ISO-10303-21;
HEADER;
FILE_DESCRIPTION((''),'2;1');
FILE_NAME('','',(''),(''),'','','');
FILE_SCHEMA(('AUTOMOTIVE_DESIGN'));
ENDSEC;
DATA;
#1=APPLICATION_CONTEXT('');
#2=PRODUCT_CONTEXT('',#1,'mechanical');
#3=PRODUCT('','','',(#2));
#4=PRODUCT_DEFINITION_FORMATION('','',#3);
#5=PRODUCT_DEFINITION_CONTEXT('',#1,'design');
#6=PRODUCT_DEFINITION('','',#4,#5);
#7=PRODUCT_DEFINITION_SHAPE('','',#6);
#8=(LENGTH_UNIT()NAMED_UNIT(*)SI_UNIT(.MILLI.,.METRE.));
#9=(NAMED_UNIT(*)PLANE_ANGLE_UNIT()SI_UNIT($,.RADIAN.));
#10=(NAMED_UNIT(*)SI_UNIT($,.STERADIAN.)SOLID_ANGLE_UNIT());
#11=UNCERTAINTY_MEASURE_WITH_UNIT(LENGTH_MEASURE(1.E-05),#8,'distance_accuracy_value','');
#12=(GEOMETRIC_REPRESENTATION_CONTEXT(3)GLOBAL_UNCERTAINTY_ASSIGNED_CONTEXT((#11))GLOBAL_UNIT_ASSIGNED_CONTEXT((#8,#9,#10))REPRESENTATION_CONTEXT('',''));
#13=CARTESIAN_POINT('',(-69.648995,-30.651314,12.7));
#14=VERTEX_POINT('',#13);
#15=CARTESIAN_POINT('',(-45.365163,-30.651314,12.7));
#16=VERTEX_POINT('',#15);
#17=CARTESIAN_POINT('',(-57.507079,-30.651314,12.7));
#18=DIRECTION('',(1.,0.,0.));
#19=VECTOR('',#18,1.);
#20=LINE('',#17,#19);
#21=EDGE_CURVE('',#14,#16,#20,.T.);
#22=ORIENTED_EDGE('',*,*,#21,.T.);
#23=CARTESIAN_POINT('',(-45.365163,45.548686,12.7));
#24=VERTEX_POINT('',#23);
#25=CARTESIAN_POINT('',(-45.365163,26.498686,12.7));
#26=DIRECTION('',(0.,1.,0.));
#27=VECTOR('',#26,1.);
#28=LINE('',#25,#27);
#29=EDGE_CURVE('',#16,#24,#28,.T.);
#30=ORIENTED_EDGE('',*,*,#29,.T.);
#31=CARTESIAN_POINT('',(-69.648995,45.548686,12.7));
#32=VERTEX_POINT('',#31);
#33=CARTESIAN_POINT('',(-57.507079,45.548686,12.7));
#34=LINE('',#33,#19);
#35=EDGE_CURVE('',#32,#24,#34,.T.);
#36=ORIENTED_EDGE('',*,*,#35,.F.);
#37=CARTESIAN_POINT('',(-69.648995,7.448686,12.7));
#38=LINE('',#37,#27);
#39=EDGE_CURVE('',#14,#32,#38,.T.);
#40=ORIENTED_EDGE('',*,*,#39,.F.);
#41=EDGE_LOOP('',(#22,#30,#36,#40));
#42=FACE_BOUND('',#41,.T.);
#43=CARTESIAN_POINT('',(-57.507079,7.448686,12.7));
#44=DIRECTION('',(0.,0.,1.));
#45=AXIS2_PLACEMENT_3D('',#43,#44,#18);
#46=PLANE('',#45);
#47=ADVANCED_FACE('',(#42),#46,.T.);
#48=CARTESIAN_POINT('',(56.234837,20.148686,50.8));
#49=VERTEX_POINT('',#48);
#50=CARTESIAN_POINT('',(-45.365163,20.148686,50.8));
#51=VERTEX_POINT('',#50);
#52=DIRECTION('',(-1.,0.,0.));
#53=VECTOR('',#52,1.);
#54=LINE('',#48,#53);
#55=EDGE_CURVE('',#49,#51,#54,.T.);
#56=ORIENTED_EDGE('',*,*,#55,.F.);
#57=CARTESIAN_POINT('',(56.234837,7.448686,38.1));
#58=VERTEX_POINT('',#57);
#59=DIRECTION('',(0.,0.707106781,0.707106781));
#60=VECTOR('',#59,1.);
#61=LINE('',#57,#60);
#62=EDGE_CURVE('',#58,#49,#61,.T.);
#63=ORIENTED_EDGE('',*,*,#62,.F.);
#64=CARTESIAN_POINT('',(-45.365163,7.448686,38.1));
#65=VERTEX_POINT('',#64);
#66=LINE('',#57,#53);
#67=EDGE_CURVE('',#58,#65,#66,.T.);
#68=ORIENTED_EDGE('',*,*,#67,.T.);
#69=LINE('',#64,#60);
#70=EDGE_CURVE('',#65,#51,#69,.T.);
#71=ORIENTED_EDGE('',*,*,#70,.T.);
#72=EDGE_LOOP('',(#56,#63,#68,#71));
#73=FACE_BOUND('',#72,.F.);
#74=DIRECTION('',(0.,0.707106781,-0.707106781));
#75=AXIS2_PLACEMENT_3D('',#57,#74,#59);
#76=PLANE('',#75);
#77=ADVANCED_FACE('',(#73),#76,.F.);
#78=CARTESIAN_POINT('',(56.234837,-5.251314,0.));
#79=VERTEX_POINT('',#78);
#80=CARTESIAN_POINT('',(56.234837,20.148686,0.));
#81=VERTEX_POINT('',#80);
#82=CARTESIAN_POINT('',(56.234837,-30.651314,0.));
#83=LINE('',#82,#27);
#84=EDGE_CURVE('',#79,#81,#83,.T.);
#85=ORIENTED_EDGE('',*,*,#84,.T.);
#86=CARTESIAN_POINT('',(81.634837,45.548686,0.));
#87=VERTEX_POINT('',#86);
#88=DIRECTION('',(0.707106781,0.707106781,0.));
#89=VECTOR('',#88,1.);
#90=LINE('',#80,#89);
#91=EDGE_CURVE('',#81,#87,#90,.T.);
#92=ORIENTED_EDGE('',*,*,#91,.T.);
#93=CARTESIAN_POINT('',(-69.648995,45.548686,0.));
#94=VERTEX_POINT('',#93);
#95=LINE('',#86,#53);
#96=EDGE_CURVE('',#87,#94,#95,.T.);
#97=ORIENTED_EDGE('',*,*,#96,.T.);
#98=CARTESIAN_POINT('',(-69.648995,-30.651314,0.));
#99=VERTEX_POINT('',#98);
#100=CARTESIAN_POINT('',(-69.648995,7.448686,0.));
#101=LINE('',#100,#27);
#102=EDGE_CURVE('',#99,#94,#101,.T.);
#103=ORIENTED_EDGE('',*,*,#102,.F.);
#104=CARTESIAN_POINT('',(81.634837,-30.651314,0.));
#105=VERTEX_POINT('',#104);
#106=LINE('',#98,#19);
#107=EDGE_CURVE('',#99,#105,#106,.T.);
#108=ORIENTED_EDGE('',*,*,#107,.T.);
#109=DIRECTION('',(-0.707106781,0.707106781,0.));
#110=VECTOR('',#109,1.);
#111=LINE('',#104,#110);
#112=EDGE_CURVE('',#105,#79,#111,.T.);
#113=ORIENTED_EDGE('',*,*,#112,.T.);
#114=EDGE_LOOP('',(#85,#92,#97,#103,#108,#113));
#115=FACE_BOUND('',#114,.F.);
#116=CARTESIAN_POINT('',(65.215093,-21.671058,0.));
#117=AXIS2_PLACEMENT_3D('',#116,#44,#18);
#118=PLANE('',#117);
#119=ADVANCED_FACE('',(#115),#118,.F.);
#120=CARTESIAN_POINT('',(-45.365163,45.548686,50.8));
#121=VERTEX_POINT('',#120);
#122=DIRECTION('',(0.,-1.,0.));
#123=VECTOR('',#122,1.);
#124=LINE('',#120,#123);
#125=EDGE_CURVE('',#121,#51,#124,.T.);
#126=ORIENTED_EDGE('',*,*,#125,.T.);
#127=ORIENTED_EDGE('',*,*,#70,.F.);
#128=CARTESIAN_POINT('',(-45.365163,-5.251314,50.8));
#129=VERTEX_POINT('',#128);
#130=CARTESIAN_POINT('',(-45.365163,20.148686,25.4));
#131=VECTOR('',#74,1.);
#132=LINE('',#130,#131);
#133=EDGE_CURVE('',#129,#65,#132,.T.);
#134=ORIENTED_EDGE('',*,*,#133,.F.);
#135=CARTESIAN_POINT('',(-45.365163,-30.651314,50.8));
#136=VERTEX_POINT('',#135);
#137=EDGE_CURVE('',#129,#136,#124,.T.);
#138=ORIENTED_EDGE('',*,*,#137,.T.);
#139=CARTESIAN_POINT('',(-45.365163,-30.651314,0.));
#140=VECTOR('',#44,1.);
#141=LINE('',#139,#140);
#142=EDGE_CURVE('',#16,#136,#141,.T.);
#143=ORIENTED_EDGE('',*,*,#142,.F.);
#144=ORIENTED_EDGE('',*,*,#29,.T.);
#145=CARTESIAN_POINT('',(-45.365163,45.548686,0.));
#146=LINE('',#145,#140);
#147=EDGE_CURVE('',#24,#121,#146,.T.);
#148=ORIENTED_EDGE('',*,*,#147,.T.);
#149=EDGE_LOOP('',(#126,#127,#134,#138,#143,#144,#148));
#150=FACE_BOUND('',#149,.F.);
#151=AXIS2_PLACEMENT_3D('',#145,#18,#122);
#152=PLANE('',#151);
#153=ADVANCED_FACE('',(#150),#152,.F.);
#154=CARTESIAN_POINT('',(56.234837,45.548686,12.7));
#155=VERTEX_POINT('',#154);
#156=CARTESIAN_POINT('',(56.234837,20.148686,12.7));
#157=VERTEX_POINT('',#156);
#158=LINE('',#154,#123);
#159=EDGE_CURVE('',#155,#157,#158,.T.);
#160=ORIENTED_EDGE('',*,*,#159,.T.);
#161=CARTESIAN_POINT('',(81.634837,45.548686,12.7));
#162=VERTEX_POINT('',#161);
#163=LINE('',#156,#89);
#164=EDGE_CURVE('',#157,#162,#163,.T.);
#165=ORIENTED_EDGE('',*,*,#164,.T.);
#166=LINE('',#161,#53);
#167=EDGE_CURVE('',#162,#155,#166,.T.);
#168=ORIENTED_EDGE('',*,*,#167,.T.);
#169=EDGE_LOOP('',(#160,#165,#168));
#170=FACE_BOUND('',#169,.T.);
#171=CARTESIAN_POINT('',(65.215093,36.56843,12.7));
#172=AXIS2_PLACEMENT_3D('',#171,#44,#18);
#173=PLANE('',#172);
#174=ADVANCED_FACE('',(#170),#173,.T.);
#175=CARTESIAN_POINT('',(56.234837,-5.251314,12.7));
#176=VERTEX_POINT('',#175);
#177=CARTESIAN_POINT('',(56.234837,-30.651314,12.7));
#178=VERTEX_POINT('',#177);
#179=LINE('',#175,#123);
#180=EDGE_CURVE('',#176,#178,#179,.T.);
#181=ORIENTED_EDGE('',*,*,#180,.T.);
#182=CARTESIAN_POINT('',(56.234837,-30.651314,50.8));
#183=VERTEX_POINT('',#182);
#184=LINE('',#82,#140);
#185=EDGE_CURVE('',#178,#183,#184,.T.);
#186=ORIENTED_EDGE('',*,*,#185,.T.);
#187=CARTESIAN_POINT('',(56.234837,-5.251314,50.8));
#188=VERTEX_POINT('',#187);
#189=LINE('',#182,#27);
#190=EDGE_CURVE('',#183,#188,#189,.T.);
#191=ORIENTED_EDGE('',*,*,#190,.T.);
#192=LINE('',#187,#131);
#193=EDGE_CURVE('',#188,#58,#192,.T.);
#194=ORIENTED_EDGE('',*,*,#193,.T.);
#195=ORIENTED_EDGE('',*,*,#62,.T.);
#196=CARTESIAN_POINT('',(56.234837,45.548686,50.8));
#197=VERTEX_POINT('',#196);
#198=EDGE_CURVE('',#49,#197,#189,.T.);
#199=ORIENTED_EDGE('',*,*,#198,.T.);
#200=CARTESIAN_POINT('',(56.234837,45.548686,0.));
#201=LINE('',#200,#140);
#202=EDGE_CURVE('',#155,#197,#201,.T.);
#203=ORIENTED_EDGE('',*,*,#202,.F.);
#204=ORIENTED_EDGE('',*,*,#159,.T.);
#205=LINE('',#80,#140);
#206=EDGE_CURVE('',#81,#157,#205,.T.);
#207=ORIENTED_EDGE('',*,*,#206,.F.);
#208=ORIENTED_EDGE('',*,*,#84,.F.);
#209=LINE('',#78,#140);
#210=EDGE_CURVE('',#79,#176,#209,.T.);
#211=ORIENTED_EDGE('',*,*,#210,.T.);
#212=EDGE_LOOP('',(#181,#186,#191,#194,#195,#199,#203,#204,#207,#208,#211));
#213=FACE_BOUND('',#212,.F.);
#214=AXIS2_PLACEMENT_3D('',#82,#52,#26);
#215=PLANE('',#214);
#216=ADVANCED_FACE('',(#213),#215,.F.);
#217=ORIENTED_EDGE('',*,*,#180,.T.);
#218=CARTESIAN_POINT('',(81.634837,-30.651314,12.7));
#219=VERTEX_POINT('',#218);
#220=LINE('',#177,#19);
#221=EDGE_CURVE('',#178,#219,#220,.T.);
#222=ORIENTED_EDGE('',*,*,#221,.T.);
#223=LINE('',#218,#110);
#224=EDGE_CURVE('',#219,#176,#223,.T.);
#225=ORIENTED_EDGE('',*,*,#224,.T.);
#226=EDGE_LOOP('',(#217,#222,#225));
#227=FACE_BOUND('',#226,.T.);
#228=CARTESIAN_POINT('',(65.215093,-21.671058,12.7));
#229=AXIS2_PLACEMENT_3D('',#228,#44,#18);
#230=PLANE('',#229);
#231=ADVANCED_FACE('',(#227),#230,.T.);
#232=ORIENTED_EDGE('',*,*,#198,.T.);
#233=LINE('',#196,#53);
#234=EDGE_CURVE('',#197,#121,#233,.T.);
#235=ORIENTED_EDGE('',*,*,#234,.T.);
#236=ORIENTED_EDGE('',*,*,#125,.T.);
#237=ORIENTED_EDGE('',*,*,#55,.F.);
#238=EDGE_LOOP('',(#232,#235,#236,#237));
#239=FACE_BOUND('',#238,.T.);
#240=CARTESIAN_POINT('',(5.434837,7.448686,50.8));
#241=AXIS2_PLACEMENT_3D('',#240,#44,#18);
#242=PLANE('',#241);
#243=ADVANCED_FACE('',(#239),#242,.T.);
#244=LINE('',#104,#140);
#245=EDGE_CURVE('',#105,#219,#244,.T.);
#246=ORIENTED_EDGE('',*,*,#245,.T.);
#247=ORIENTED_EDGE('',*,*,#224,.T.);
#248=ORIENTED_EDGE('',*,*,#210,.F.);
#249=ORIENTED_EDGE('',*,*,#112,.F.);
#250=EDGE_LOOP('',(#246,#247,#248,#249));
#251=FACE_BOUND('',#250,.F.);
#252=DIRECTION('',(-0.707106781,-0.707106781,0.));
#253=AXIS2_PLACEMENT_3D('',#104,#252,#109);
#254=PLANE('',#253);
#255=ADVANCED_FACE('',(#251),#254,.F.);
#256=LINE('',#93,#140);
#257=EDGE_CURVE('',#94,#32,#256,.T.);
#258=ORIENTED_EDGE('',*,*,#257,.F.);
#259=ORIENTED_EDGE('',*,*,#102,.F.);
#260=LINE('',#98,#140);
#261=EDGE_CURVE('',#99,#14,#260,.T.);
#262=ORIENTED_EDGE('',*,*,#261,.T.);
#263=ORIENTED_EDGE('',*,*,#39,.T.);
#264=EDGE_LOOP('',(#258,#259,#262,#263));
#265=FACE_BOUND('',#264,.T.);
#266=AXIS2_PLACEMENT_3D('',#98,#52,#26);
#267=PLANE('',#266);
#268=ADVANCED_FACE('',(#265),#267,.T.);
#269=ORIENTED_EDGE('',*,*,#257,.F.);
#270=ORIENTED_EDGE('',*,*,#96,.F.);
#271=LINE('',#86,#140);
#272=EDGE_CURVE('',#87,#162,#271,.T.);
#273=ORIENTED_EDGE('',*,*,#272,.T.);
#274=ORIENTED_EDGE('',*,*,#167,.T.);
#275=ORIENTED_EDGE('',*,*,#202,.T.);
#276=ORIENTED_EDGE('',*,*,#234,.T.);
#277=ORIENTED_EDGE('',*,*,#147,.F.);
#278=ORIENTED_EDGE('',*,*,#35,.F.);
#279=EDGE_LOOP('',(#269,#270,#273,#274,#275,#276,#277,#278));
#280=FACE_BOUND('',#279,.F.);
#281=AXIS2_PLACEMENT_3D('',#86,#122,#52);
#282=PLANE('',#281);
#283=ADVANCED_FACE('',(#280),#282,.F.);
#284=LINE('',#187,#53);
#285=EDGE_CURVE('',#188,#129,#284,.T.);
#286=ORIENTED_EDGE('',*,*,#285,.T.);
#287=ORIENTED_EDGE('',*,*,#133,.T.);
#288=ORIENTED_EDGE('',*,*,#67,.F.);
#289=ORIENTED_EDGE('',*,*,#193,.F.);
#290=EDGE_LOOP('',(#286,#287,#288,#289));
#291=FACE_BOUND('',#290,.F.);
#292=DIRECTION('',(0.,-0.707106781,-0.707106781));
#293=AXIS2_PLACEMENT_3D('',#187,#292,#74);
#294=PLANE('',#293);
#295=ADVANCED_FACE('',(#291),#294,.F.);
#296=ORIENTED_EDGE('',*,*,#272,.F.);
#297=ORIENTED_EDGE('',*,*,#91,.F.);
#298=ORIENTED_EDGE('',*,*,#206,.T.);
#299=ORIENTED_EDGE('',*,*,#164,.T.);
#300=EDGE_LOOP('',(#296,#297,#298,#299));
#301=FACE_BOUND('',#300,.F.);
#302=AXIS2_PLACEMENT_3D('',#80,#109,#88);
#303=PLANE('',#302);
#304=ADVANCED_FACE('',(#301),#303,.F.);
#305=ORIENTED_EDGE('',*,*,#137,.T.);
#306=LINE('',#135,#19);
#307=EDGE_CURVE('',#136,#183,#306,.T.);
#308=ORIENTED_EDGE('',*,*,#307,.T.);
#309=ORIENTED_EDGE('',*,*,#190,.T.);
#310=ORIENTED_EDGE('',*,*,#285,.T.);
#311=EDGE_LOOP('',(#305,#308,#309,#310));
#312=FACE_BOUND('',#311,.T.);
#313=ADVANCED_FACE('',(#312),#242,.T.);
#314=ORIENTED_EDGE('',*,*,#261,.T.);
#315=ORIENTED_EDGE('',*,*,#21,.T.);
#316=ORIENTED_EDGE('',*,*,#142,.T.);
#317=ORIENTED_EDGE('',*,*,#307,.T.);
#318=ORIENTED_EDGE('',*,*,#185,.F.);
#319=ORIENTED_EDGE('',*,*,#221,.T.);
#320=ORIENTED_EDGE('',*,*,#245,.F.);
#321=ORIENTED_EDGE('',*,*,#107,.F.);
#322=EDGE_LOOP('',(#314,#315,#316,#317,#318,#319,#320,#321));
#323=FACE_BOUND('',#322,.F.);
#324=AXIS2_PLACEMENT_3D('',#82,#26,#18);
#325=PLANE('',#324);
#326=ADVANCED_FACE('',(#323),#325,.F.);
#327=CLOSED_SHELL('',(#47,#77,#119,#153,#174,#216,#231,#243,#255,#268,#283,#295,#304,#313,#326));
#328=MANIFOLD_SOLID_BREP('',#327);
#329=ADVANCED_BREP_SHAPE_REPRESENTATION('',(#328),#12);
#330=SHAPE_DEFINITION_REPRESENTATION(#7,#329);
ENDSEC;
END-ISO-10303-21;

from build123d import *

# Parameters (mm, degrees)
F0_W     = 24.283833
F0_H     = 76.2
F1_DEPTH = 12.7
F2_DEPTH = 50.8
F3_DEPTH = 12.7
F4_DEPTH = 12.7
F6_DEPTH = 125.884833


with BuildPart() as f1:
    # F0 (on Top) → F1 (new body)
    with BuildSketch(Plane.XY):
        with Locations((-57.507079, 7.448686)):
            Rectangle(F0_W, F0_H)
    extrude(amount=F1_DEPTH)

    # F0 (on Top) → F2 (join)
    with BuildSketch(Plane.XY):
        Polygon((56.234837, 45.548686), (-45.365163, 45.548686), (-45.365163, -30.651314), (56.234837, -30.651314), (56.234837, -5.251314), (56.234837, 20.148686), align=None)
    extrude(amount=F2_DEPTH)

    # F0 (on Top) → F3 (join)
    with BuildSketch(Plane.XY):
        Polygon((81.634837, 45.548686), (56.234837, 45.548686), (56.234837, 20.148686), align=None)
    extrude(amount=F3_DEPTH)

    # F0 (on Top) → F4 (join)
    with BuildSketch(Plane.XY):
        Polygon((56.234837, -5.251314), (56.234837, -30.651314), (81.634837, -30.651314), align=None)
    extrude(amount=F4_DEPTH)

    # F5 (on face) → F6 (cut, through all)
    with BuildSketch(Plane.YZ.offset(56.234837)):
        Polygon((20.148686, 50.8), (-5.251314, 50.8), (7.448686, 38.1), align=None)
    extrude(amount=-F6_DEPTH, mode=Mode.SUBTRACT)


solid = f1.part
